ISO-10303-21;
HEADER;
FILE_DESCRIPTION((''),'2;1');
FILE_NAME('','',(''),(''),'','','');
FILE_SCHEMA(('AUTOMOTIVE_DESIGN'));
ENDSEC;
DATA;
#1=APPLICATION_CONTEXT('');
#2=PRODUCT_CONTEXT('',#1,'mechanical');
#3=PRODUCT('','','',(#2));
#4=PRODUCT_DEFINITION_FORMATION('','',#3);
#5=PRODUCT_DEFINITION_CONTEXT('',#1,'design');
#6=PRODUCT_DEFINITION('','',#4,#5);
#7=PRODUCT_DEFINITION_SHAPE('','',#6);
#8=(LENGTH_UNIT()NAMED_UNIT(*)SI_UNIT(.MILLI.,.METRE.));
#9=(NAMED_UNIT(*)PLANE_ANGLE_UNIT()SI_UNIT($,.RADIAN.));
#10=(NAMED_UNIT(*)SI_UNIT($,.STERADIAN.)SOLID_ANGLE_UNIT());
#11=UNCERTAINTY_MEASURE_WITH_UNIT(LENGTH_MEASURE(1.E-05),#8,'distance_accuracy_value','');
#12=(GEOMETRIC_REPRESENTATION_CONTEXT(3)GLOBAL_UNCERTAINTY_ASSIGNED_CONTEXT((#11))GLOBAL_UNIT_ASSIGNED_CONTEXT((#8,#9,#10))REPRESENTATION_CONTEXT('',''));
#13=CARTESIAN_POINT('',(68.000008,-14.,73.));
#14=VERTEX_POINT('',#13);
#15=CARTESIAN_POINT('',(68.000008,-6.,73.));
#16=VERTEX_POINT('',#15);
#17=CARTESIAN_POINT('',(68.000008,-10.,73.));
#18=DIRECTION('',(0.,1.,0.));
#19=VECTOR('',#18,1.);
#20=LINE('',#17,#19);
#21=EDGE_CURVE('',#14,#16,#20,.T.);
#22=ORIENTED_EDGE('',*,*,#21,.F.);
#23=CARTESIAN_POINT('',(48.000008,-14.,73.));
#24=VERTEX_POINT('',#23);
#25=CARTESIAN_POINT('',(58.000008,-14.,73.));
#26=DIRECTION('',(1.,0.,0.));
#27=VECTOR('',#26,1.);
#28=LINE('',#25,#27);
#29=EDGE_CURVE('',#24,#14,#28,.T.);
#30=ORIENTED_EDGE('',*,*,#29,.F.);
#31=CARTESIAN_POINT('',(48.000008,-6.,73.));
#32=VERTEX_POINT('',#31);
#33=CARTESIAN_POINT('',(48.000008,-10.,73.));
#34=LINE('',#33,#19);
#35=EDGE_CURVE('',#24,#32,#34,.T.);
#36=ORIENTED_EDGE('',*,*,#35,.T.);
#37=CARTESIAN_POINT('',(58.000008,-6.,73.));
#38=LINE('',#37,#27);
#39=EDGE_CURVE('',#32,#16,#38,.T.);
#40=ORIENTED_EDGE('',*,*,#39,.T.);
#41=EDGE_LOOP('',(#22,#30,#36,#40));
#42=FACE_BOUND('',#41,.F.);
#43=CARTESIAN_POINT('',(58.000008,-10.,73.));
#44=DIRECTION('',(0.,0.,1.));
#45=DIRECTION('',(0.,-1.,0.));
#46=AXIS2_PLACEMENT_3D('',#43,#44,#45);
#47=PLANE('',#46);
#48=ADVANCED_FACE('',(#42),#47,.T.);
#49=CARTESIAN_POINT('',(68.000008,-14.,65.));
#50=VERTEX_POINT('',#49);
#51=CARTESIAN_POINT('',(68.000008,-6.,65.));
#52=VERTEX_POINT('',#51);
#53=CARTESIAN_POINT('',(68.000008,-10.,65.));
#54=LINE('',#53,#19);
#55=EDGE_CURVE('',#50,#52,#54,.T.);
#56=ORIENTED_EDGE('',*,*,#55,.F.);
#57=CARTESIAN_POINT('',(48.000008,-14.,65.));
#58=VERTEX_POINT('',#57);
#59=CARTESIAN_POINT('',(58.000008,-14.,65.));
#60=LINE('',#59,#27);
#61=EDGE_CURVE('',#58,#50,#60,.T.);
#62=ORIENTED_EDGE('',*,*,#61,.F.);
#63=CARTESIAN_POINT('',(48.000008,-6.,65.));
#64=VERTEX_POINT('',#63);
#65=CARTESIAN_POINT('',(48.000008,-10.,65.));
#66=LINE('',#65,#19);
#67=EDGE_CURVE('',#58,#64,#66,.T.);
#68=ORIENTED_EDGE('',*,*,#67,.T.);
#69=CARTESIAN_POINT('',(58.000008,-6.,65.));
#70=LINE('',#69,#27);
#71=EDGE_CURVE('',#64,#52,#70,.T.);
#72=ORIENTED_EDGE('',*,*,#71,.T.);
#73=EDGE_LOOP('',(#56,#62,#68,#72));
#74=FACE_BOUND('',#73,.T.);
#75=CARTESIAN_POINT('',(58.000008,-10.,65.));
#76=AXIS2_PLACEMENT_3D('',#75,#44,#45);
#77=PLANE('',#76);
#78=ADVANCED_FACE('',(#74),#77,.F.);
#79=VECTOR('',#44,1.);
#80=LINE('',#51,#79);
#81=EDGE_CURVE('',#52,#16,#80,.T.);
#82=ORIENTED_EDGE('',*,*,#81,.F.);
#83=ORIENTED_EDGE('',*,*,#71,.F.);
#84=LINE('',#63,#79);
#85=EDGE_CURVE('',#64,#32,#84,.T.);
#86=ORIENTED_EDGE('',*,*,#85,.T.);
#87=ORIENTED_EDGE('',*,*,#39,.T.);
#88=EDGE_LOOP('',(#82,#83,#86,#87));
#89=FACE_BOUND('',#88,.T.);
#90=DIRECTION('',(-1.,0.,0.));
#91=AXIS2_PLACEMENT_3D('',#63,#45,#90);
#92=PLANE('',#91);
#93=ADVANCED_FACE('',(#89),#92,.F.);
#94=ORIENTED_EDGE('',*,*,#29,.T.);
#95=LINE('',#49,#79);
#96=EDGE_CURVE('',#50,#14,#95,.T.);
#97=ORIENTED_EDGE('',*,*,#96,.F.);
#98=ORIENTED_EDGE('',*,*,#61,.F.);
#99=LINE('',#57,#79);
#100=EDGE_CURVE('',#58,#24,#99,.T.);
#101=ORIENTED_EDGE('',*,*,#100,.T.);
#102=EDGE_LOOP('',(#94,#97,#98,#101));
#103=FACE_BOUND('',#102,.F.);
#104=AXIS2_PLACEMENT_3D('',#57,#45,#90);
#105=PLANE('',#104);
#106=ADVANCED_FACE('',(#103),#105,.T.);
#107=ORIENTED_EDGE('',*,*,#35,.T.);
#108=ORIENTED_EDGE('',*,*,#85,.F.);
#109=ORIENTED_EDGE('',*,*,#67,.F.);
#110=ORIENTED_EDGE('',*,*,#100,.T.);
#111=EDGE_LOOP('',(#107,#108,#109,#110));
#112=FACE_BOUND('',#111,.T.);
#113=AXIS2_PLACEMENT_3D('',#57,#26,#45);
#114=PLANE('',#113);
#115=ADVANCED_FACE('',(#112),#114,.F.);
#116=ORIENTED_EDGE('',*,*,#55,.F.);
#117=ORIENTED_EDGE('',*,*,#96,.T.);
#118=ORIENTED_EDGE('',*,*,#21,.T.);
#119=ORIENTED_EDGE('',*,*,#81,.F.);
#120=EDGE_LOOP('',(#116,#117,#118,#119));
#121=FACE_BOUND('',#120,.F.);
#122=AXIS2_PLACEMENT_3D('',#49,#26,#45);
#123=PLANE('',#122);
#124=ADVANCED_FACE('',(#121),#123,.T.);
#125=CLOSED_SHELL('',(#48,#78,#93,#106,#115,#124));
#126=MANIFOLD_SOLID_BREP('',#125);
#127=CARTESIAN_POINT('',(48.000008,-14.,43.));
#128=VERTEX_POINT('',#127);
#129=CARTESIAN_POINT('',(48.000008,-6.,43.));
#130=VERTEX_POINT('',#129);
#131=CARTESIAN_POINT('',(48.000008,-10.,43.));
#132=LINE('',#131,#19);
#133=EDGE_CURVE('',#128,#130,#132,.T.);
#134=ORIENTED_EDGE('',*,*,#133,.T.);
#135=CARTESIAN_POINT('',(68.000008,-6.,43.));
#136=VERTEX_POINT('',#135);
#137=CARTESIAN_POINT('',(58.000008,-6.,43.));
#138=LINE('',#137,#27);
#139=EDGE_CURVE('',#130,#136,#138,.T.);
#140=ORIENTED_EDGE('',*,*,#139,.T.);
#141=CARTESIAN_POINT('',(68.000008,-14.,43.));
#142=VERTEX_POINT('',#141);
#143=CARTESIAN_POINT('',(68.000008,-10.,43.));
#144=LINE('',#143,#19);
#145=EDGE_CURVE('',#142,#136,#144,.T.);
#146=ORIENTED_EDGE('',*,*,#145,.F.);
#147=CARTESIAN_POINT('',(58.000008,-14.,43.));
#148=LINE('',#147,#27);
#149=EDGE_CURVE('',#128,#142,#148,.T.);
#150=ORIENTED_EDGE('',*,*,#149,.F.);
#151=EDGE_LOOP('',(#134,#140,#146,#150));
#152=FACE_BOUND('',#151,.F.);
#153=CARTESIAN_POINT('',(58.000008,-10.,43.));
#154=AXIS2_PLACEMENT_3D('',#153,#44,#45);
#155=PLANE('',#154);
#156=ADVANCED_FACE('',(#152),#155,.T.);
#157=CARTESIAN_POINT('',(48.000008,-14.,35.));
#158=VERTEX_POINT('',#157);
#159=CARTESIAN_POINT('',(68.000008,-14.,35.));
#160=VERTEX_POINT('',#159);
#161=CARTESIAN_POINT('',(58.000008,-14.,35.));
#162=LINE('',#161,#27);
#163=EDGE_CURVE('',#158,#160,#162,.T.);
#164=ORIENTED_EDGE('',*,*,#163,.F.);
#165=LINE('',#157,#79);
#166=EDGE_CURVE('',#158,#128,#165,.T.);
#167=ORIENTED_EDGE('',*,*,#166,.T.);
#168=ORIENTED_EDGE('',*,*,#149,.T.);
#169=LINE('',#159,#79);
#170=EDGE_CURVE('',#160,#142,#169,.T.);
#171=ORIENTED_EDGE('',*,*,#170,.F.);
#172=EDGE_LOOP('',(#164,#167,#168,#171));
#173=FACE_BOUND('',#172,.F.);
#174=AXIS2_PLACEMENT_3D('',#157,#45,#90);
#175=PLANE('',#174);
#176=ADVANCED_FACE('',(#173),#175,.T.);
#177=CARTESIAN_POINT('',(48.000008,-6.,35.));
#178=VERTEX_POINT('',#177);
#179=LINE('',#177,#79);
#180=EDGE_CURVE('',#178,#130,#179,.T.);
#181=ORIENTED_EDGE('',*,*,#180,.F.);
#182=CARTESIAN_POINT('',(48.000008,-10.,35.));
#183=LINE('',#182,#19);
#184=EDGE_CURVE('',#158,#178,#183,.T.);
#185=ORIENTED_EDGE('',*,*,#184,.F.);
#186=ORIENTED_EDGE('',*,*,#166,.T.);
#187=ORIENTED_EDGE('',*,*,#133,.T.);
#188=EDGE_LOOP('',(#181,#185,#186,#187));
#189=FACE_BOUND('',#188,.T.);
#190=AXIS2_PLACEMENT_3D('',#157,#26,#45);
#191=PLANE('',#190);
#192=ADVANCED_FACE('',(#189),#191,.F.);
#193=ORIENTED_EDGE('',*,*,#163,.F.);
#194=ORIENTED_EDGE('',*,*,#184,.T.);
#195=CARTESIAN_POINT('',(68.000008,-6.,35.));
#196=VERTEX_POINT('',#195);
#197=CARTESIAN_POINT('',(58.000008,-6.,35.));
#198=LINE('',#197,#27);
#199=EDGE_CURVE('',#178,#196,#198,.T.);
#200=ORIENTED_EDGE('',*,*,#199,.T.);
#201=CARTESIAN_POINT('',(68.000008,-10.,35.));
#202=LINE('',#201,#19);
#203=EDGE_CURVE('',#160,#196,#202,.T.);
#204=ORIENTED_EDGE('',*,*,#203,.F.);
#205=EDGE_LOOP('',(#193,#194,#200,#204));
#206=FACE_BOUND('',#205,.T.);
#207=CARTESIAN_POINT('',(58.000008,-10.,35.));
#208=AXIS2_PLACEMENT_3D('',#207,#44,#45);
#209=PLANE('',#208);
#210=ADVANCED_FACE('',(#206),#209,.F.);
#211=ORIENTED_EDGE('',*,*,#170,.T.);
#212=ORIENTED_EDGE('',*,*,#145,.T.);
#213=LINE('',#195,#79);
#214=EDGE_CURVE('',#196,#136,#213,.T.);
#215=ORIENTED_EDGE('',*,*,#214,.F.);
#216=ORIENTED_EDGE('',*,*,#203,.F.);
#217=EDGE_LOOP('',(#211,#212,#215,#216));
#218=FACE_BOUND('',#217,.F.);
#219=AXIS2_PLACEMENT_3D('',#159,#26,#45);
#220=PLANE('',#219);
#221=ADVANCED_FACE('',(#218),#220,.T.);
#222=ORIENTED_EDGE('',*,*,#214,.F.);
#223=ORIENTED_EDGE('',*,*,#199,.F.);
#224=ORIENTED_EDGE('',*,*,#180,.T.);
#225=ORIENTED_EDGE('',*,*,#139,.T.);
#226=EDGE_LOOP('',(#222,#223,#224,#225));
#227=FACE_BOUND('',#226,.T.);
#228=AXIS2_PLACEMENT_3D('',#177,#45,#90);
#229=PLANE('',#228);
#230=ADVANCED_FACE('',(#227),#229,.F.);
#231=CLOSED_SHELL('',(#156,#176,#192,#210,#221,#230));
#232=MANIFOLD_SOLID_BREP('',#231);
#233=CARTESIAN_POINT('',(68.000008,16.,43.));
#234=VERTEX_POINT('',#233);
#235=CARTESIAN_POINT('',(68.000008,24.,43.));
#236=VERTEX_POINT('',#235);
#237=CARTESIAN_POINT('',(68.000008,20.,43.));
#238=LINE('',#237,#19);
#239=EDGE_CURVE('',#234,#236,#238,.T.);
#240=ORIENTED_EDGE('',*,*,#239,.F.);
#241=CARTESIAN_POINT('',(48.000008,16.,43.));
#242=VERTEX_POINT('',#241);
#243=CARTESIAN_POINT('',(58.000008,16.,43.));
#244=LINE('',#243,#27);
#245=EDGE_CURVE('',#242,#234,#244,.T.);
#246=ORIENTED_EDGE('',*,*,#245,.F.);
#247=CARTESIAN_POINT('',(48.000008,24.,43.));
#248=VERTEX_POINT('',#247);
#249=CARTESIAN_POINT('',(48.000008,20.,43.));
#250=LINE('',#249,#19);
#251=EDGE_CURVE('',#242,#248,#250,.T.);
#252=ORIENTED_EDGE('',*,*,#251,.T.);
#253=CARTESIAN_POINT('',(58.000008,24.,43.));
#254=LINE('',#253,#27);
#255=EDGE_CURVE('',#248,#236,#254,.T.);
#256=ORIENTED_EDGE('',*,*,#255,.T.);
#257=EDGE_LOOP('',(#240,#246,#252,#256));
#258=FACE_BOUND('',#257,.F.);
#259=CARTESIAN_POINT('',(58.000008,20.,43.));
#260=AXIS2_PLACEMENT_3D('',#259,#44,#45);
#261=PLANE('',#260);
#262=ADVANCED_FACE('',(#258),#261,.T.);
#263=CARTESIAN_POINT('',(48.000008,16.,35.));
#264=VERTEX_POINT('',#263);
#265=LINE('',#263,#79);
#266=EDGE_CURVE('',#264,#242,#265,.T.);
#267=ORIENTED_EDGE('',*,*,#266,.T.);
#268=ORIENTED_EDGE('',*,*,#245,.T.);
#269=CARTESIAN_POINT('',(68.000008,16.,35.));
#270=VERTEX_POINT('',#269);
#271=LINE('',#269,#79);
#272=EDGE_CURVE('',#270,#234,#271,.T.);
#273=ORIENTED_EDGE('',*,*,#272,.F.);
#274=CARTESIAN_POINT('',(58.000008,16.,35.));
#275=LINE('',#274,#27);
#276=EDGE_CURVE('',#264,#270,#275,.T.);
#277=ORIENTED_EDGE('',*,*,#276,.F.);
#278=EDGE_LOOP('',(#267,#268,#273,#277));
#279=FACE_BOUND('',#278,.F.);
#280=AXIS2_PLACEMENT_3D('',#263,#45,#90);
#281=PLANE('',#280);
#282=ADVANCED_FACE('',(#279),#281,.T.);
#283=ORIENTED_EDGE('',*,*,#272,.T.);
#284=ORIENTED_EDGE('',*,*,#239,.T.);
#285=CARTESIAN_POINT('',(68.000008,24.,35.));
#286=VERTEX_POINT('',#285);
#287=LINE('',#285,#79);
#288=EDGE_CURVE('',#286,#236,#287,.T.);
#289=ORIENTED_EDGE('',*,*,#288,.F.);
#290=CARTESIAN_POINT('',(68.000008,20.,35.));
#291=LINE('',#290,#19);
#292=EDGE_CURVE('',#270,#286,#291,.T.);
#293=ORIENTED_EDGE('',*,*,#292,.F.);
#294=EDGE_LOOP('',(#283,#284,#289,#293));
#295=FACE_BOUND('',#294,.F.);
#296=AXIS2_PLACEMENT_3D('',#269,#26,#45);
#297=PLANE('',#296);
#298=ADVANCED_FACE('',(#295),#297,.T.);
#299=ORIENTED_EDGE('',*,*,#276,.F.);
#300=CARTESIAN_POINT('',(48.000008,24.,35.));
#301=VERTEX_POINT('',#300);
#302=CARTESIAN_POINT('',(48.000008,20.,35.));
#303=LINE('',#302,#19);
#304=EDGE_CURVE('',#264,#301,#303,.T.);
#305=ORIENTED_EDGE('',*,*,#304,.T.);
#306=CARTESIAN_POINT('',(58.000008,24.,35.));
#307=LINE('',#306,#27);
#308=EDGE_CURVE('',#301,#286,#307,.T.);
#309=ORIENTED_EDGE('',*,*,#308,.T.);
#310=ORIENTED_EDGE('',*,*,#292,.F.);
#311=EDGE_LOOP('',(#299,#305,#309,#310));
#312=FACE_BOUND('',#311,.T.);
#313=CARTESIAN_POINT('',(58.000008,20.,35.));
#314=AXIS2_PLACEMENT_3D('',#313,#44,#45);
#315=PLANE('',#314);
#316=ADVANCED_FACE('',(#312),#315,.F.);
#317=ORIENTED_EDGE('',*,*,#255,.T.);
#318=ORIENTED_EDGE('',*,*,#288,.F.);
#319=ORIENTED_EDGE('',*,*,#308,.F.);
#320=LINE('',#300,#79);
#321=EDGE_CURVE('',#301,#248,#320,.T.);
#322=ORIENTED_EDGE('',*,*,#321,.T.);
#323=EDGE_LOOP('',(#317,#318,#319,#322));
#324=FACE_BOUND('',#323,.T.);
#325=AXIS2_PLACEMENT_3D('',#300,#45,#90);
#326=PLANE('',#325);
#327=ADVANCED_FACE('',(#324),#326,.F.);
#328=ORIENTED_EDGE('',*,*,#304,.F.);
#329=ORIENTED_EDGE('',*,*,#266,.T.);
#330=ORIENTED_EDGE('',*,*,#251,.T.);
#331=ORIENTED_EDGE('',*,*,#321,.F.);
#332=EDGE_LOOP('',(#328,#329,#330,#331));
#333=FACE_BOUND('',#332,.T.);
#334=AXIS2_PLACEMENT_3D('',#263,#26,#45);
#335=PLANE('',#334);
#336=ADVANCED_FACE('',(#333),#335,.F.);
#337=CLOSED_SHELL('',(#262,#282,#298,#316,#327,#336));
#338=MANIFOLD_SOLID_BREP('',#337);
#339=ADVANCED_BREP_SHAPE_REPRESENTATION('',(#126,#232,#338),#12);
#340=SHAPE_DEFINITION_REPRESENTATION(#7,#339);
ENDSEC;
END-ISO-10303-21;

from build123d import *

# Parameters (mm, degrees)
BOX813_W     = 8
BOX813_H     = 20
BOX813_DEPTH = 8
BOX809_W     = 8
BOX809_H     = 20
BOX809_DEPTH = 8
BOX812_W     = 8
BOX812_H     = 20
BOX812_DEPTH = 8


with BuildPart() as krychle813:
    # Box813 → Box813 (new body)
    with BuildSketch(Plane(origin=(-48, 16, 35), x_dir=(0, 1, 0), z_dir=(0, 0, 1))):
        with Locations((4, 10)):
            Rectangle(BOX813_W, BOX813_H)
    extrude(amount=BOX813_DEPTH)


with BuildPart() as krychle809:
    # Box809 → Box809 (new body)
    with BuildSketch(Plane(origin=(-48, -14, 65), x_dir=(0, 1, 0), z_dir=(0, 0, 1))):
        with Locations((4, 10)):
            Rectangle(BOX809_W, BOX809_H)
    extrude(amount=BOX809_DEPTH)


with BuildPart() as compound943:
    # Box812 → Box812 (new body)
    with BuildSketch(Plane(origin=(-48, -14, 35), x_dir=(0, 1, 0), z_dir=(0, 0, 1))):
        with Locations((4, 10)):
            Rectangle(BOX812_W, BOX812_H)
    extrude(amount=BOX812_DEPTH)

    # Compound943: union Krychle813, Krychle809
    add(krychle813.part)
    add(krychle809.part)


with BuildPart() as compound943_mirrored:
    # mirror007: instance of Compound943
    add(compound943.part.mirror(Plane(origin=(4e-06, 5, 54), x_dir=(0, -1, 0), z_dir=(1, 0, 0))))


solid = compound943_mirrored.part
